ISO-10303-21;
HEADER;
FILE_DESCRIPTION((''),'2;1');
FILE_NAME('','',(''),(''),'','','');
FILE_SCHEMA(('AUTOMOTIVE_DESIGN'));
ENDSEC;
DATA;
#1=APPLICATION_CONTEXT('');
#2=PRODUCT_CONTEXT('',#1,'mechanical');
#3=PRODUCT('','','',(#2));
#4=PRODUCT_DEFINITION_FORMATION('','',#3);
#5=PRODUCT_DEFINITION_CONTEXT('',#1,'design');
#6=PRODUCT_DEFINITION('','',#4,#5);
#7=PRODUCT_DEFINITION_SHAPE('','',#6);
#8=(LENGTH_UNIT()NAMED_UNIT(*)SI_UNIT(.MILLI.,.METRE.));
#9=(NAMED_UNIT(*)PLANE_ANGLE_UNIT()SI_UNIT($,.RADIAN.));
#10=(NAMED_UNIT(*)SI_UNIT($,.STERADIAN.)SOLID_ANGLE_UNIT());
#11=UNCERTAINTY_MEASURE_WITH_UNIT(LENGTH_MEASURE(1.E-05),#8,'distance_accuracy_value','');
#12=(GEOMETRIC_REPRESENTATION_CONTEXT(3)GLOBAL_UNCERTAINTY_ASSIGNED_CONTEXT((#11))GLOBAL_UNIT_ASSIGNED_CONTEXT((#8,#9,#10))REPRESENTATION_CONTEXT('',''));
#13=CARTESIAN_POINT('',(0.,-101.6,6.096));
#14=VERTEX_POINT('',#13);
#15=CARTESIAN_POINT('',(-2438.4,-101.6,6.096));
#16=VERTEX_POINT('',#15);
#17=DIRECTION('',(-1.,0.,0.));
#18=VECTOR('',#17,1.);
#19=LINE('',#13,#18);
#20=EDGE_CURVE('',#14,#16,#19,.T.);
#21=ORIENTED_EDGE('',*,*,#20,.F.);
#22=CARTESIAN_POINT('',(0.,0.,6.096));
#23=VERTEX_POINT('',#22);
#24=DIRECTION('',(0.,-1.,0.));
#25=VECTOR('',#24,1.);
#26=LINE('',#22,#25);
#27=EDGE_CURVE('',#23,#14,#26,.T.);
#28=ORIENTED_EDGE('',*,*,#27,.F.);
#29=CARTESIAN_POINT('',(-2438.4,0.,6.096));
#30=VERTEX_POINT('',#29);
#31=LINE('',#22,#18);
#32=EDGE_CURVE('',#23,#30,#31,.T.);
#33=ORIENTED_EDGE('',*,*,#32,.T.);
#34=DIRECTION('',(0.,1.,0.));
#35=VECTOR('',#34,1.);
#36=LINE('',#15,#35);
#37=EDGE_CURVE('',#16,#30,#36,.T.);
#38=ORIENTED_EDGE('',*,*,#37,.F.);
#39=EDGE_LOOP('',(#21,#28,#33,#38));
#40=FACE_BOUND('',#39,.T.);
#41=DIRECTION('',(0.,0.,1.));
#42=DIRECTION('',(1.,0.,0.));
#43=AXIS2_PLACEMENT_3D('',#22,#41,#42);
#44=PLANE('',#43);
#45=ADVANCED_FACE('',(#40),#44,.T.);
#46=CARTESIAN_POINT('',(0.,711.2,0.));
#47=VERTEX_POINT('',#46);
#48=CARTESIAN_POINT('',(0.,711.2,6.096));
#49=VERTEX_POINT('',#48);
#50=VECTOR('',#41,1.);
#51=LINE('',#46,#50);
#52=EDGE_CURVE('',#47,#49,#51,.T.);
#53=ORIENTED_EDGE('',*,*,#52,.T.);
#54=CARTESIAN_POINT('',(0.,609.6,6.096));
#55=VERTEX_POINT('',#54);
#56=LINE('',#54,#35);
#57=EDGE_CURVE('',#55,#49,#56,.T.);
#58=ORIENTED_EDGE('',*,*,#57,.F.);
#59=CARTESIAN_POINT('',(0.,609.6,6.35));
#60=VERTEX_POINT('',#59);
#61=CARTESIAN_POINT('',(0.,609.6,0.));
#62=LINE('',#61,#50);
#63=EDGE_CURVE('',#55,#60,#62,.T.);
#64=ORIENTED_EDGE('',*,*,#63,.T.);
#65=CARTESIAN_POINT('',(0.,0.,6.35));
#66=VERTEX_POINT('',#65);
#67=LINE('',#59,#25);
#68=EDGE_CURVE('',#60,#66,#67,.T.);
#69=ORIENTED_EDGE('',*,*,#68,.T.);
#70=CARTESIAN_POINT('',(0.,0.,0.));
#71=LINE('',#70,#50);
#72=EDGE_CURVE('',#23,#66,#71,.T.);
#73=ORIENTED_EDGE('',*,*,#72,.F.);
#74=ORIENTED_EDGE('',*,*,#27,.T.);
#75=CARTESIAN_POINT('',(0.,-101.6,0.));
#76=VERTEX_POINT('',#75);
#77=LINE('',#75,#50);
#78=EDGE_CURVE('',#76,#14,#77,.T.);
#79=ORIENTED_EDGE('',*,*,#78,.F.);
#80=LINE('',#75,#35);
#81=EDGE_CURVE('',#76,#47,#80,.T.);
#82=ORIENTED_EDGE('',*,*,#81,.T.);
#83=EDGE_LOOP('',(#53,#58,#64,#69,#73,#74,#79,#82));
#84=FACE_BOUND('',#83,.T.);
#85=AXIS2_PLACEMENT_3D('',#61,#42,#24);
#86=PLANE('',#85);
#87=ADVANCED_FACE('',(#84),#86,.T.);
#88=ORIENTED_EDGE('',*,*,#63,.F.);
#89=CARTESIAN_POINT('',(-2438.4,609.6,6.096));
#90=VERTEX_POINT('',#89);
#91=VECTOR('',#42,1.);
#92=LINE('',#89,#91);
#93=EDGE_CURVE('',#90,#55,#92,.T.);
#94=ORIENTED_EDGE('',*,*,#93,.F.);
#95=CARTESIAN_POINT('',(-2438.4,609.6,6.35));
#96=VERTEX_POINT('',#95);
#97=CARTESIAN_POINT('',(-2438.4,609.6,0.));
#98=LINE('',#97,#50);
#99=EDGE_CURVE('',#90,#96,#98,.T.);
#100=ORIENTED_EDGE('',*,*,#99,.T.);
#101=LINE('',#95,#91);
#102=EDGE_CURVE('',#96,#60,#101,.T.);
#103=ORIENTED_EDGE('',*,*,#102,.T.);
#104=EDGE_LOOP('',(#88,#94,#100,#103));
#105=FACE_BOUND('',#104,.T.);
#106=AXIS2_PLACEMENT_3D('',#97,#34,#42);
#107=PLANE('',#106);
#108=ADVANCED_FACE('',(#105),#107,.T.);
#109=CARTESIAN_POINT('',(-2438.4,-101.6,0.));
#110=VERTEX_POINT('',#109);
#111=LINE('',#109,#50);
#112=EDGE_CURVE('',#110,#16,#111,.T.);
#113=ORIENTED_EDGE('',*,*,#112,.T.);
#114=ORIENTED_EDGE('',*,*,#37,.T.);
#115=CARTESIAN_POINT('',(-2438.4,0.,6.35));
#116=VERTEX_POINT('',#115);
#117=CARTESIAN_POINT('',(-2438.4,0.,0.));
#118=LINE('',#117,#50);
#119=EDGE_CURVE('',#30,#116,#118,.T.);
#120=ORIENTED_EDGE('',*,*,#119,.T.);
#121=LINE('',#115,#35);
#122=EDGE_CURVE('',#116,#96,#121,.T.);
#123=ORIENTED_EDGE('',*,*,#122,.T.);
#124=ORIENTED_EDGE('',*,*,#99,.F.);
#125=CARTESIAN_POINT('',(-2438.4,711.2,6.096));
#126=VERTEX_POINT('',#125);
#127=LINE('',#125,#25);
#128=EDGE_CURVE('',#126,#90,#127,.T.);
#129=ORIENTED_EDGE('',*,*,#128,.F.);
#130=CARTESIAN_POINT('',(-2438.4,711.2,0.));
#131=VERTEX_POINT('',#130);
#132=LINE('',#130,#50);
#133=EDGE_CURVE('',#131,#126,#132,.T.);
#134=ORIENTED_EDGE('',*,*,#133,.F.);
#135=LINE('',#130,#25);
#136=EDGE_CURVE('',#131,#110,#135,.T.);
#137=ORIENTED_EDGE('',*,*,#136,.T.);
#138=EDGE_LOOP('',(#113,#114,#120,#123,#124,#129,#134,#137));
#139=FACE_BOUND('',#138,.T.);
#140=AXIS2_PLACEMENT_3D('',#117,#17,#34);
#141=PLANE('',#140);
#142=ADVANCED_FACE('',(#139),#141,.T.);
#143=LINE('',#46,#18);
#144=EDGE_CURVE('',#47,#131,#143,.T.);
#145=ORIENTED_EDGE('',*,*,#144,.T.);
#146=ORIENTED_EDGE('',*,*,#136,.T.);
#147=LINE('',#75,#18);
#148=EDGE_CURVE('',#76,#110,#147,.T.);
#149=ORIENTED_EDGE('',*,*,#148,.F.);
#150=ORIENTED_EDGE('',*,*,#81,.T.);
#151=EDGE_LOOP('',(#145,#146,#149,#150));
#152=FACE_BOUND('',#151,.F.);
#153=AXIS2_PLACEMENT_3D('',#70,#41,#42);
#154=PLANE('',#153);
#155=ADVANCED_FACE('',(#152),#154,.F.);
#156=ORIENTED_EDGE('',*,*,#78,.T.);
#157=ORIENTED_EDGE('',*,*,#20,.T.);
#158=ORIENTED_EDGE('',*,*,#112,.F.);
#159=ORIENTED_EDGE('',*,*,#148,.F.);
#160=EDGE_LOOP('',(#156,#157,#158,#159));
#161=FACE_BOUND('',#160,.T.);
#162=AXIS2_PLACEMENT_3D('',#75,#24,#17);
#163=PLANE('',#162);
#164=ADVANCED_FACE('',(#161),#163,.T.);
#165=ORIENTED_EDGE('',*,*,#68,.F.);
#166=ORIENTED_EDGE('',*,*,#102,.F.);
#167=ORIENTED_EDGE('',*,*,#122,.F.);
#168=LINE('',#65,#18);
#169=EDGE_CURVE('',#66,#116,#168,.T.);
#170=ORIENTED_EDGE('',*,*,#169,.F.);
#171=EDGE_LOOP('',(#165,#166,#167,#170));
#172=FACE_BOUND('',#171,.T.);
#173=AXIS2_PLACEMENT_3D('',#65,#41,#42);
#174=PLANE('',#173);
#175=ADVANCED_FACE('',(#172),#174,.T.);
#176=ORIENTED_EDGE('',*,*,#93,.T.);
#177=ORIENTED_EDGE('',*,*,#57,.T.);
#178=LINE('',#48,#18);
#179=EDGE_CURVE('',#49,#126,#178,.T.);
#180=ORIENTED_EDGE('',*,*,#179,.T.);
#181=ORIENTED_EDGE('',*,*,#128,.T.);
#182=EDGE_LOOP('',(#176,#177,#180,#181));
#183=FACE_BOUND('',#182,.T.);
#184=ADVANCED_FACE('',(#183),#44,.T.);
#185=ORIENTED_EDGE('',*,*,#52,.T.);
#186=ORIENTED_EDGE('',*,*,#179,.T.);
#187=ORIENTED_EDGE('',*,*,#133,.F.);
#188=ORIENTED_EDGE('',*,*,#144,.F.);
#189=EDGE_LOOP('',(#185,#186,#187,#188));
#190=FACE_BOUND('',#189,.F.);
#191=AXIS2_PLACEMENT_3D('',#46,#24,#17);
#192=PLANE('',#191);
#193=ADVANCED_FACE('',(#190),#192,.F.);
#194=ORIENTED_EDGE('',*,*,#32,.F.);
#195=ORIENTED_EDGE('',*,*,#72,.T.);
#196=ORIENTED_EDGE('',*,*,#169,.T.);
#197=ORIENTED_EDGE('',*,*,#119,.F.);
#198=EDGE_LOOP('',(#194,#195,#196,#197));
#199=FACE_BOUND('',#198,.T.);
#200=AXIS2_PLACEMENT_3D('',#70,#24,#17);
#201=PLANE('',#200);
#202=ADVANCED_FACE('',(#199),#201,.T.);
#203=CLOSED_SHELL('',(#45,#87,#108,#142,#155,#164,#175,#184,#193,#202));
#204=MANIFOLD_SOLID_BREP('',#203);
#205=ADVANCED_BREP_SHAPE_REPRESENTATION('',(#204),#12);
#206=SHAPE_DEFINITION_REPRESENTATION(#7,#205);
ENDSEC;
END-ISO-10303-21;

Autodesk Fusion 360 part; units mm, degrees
sketch "Sketch1" plane through (0, 0, 0) normal (0, 0, 1) x (1, 0, 0)
  line L0 (0, 0) -> (-2438.4, 0)
  line L1 (-2438.4, 0) -> (-2438.4, 609.6)
  line L2 (-2438.4, 609.6) -> (0, 609.6)
  line L3 (0, 609.6) -> (0, 0)
  line L4 (-2438.4, 0) -> (0, 0)
  line L5 (0, 0) -> (0, -101.6)
  line L6 (0, -101.6) -> (-2438.4, -101.6)
  line L7 (-2438.4, -101.6) -> (-2438.4, 0)
  line L8 (-2438.4, 609.6) -> (0, 609.6)
  line L9 (0, 609.6) -> (0, 711.2)
  line L10 (0, 711.2) -> (-2438.4, 711.2)
  line L11 (-2438.4, 711.2) -> (-2438.4, 609.6)
  dimension "d1" = 2438.4
  dimension "d2" = 609.6
  dimension "d3" = 2438.4
  dimension "d4" = 101.6
  dimension "d5" = 101.6
extrude "Extrude1" add sketch "Sketch1" along normal blind 6.35 contours L0 L1 L2 L3 L4 L8
extrude "Extrude2" add sketch "Sketch1" along normal blind 6.096 contours L0 L4 L5 L6 L7 | L2 L8 L9 L10 L11
